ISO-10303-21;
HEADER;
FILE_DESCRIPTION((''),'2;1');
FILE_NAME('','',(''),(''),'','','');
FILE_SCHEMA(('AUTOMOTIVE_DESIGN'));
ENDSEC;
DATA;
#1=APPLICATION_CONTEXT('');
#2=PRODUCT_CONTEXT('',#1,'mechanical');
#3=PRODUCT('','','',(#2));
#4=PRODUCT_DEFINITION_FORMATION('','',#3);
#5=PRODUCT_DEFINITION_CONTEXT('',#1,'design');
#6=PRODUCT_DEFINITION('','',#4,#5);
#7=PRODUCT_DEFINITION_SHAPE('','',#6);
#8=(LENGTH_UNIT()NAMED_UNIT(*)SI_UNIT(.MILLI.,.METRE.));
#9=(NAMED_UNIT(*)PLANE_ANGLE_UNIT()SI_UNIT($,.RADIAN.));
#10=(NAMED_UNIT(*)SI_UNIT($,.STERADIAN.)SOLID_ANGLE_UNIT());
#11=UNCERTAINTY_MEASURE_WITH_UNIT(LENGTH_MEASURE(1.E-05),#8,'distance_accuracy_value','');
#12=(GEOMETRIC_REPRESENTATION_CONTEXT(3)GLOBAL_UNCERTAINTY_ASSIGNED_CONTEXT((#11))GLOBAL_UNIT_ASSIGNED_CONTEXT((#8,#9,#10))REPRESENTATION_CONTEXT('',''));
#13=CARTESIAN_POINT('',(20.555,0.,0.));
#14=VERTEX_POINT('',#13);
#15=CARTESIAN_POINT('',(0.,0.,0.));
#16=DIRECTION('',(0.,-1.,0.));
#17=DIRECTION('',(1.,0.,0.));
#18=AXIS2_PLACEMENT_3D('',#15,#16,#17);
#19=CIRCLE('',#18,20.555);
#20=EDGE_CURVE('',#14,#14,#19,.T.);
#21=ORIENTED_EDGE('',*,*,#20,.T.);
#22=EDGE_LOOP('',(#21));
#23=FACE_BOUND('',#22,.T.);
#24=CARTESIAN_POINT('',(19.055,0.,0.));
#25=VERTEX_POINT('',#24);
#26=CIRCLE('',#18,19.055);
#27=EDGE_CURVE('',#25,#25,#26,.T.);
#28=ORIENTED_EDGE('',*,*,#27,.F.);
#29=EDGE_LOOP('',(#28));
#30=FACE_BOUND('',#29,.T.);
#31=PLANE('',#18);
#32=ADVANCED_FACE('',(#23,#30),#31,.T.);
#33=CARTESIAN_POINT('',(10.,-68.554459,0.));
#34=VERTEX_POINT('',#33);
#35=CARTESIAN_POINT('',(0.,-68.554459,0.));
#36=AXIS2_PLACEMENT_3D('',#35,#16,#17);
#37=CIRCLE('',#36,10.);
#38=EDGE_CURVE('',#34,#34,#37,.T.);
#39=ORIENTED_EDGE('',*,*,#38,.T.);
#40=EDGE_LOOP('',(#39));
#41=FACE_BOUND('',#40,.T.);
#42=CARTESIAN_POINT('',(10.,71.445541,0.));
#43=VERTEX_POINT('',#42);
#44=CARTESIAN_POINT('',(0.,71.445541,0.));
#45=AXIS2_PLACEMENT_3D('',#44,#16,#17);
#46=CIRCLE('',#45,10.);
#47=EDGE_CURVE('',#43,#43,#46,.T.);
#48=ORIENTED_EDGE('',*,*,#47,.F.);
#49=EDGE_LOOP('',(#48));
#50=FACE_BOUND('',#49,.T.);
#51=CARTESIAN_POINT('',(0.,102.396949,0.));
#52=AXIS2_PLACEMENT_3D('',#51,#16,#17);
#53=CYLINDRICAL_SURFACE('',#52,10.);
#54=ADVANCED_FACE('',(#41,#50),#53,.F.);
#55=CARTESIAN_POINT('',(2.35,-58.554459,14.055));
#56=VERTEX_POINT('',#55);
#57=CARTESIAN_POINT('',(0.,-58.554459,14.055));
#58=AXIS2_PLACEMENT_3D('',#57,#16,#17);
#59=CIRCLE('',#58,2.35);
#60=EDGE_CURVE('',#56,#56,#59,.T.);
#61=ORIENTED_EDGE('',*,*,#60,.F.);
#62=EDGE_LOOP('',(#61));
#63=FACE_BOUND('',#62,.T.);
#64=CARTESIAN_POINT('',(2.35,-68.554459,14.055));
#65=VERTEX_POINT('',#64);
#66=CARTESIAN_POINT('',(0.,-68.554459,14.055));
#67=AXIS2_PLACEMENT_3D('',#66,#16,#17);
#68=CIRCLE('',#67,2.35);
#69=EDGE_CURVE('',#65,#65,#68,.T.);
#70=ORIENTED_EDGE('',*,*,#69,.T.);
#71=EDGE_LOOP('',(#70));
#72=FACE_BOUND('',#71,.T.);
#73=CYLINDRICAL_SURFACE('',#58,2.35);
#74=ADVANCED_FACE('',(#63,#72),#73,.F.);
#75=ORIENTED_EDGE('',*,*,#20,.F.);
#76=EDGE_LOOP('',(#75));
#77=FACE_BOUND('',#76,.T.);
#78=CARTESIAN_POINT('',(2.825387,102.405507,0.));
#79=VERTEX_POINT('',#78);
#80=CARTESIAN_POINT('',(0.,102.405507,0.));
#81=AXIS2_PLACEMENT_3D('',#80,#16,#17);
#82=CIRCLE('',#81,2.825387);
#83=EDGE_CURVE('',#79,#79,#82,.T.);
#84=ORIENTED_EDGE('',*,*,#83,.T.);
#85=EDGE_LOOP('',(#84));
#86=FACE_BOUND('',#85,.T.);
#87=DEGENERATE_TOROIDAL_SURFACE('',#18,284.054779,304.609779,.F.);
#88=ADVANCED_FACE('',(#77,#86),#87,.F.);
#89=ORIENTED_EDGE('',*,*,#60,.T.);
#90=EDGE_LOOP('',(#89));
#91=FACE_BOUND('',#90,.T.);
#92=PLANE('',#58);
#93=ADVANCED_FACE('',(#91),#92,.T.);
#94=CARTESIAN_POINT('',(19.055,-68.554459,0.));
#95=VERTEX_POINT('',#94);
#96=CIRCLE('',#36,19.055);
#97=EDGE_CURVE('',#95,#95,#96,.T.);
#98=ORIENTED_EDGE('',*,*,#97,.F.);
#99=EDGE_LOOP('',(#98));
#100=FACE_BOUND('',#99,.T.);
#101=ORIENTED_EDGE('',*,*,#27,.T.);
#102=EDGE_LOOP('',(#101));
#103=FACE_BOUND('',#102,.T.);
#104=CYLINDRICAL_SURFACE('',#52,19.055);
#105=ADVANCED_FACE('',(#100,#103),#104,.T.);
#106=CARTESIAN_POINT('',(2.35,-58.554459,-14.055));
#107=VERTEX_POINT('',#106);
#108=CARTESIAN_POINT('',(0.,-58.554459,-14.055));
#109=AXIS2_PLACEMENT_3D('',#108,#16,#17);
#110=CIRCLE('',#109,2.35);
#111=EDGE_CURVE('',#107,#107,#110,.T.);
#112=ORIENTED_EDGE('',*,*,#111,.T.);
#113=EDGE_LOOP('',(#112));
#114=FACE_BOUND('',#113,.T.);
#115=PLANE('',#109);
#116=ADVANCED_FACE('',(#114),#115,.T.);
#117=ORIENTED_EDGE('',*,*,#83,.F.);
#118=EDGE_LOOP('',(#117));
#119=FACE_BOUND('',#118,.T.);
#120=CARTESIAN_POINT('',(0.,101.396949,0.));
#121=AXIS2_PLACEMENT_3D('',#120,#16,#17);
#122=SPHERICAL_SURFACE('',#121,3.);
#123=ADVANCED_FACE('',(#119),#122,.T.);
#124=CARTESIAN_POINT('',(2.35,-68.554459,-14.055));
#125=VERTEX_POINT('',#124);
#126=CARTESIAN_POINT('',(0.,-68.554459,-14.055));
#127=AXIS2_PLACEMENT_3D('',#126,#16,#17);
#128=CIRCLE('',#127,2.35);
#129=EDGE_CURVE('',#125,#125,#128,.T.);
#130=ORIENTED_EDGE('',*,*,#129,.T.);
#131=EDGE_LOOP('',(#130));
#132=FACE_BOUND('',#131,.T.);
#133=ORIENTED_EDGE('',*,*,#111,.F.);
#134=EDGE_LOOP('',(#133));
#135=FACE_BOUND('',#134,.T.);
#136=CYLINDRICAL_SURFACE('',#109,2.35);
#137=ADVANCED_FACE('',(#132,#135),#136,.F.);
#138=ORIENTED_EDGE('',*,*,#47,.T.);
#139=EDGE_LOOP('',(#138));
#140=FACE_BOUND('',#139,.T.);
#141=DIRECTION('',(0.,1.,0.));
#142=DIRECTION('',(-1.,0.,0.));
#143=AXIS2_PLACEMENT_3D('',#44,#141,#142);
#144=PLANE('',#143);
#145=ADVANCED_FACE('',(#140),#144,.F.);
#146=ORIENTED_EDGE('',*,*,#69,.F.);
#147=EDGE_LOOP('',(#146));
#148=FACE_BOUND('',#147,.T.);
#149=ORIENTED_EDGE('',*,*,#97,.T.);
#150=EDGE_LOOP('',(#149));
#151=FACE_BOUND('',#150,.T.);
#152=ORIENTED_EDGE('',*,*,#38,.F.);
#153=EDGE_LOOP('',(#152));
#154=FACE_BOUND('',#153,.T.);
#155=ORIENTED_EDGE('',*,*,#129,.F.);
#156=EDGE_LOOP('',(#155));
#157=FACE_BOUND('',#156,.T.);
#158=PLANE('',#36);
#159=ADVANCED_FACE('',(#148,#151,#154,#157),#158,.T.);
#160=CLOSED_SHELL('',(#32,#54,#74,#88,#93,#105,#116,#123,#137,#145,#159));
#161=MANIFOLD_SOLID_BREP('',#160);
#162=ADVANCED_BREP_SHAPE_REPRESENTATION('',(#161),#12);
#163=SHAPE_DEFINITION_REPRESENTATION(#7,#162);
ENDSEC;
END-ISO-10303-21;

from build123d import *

# Parameters (mm, degrees)
SKETCH2_R          = 2.35
CUT_EXTRUDE1_DEPTH = 10


with BuildPart() as part:
    # Sketch1 → Revolve3 (revolve)
    with BuildSketch(Plane.XY):
        with BuildLine():
            Line((-19.055, 0), (-20.555, 0))
            ThreePointArc((-20.555, 0), (-16.08987064, 51.964475913), (-2.825386961, 102.405506928))
            ThreePointArc((-2.825386961, 102.405506928), (-1.728341267, 103.849057861), (0, 104.396949286))
            Line((0, 104.396949286), (0, 102.396949286))
            Line((0, 102.396949286), (0, 71.445540784))
            Line((0, 71.445540784), (-10, 71.445540784))
            Line((-10, 71.445540784), (-10, -68.554459216))
            Line((-10, -68.554459216), (-17.055, -68.554459216))
            Line((-17.055, -68.554459216), (-19.055, -68.554459216))
            Line((-19.055, -68.554459216), (-19.055, 0))
        make_face()
    revolve(axis=Axis((0, 102.396949286, 0), (0, 1, 0)))

    # Sketch2 → Cut-Extrude1 (cut)
    with BuildSketch(Plane.XZ.offset(68.554459216)):
        with Locations((0, -14.055)):
            Circle(SKETCH2_R)
        with Locations((0, 14.055)):
            Circle(SKETCH2_R)
    extrude(amount=-CUT_EXTRUDE1_DEPTH, mode=Mode.SUBTRACT)


solid = part.part
